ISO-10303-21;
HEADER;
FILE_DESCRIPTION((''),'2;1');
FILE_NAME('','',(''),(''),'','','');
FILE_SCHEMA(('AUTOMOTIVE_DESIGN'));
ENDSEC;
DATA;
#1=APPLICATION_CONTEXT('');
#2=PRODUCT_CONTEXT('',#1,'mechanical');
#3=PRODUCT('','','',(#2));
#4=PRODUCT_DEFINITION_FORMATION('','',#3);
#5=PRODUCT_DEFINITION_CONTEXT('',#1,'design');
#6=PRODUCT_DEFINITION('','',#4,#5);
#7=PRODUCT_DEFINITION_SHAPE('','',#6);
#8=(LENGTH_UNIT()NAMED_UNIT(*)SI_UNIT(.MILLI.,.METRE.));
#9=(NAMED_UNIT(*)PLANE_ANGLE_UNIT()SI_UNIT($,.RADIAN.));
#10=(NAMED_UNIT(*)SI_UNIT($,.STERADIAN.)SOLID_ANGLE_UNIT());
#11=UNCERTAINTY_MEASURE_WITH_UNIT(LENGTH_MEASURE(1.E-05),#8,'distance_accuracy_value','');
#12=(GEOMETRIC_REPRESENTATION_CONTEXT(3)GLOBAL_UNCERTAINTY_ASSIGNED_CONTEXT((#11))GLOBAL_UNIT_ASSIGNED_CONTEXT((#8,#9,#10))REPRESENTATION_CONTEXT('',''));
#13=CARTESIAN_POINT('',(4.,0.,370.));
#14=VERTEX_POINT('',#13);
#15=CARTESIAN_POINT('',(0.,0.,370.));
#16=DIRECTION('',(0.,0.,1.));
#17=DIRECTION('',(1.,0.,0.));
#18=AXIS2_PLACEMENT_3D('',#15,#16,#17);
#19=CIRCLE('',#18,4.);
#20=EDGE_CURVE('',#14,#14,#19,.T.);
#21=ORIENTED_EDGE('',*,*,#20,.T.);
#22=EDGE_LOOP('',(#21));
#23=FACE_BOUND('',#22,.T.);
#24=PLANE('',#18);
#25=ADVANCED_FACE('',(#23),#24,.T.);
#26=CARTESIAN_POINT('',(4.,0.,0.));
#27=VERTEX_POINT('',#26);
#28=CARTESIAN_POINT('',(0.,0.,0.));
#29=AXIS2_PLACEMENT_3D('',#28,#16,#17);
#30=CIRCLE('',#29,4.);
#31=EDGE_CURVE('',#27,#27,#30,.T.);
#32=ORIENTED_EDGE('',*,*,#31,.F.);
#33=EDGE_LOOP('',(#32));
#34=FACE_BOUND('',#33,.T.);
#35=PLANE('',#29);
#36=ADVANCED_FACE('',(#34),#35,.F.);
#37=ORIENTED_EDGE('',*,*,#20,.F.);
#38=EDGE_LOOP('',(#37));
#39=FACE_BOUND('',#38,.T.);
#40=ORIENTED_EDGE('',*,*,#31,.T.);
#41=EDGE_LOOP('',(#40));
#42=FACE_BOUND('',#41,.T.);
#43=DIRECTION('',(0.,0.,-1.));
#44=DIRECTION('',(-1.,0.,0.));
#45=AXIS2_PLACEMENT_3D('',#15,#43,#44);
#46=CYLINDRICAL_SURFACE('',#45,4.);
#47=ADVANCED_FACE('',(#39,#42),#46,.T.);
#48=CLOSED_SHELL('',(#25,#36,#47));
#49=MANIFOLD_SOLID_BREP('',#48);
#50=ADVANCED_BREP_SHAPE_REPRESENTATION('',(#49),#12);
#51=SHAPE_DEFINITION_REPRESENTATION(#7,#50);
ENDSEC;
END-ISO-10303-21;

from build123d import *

# Parameters (mm, degrees)
ESBO_O1_R                = 4
RESSALTO_EXTRUS_O1_DEPTH = 370


with BuildPart() as part:
    # Esboço1 → Ressalto-extrusão1 (new body)
    with BuildSketch(Plane.XY):
        Circle(ESBO_O1_R)
    extrude(amount=RESSALTO_EXTRUS_O1_DEPTH)


solid = part.part
